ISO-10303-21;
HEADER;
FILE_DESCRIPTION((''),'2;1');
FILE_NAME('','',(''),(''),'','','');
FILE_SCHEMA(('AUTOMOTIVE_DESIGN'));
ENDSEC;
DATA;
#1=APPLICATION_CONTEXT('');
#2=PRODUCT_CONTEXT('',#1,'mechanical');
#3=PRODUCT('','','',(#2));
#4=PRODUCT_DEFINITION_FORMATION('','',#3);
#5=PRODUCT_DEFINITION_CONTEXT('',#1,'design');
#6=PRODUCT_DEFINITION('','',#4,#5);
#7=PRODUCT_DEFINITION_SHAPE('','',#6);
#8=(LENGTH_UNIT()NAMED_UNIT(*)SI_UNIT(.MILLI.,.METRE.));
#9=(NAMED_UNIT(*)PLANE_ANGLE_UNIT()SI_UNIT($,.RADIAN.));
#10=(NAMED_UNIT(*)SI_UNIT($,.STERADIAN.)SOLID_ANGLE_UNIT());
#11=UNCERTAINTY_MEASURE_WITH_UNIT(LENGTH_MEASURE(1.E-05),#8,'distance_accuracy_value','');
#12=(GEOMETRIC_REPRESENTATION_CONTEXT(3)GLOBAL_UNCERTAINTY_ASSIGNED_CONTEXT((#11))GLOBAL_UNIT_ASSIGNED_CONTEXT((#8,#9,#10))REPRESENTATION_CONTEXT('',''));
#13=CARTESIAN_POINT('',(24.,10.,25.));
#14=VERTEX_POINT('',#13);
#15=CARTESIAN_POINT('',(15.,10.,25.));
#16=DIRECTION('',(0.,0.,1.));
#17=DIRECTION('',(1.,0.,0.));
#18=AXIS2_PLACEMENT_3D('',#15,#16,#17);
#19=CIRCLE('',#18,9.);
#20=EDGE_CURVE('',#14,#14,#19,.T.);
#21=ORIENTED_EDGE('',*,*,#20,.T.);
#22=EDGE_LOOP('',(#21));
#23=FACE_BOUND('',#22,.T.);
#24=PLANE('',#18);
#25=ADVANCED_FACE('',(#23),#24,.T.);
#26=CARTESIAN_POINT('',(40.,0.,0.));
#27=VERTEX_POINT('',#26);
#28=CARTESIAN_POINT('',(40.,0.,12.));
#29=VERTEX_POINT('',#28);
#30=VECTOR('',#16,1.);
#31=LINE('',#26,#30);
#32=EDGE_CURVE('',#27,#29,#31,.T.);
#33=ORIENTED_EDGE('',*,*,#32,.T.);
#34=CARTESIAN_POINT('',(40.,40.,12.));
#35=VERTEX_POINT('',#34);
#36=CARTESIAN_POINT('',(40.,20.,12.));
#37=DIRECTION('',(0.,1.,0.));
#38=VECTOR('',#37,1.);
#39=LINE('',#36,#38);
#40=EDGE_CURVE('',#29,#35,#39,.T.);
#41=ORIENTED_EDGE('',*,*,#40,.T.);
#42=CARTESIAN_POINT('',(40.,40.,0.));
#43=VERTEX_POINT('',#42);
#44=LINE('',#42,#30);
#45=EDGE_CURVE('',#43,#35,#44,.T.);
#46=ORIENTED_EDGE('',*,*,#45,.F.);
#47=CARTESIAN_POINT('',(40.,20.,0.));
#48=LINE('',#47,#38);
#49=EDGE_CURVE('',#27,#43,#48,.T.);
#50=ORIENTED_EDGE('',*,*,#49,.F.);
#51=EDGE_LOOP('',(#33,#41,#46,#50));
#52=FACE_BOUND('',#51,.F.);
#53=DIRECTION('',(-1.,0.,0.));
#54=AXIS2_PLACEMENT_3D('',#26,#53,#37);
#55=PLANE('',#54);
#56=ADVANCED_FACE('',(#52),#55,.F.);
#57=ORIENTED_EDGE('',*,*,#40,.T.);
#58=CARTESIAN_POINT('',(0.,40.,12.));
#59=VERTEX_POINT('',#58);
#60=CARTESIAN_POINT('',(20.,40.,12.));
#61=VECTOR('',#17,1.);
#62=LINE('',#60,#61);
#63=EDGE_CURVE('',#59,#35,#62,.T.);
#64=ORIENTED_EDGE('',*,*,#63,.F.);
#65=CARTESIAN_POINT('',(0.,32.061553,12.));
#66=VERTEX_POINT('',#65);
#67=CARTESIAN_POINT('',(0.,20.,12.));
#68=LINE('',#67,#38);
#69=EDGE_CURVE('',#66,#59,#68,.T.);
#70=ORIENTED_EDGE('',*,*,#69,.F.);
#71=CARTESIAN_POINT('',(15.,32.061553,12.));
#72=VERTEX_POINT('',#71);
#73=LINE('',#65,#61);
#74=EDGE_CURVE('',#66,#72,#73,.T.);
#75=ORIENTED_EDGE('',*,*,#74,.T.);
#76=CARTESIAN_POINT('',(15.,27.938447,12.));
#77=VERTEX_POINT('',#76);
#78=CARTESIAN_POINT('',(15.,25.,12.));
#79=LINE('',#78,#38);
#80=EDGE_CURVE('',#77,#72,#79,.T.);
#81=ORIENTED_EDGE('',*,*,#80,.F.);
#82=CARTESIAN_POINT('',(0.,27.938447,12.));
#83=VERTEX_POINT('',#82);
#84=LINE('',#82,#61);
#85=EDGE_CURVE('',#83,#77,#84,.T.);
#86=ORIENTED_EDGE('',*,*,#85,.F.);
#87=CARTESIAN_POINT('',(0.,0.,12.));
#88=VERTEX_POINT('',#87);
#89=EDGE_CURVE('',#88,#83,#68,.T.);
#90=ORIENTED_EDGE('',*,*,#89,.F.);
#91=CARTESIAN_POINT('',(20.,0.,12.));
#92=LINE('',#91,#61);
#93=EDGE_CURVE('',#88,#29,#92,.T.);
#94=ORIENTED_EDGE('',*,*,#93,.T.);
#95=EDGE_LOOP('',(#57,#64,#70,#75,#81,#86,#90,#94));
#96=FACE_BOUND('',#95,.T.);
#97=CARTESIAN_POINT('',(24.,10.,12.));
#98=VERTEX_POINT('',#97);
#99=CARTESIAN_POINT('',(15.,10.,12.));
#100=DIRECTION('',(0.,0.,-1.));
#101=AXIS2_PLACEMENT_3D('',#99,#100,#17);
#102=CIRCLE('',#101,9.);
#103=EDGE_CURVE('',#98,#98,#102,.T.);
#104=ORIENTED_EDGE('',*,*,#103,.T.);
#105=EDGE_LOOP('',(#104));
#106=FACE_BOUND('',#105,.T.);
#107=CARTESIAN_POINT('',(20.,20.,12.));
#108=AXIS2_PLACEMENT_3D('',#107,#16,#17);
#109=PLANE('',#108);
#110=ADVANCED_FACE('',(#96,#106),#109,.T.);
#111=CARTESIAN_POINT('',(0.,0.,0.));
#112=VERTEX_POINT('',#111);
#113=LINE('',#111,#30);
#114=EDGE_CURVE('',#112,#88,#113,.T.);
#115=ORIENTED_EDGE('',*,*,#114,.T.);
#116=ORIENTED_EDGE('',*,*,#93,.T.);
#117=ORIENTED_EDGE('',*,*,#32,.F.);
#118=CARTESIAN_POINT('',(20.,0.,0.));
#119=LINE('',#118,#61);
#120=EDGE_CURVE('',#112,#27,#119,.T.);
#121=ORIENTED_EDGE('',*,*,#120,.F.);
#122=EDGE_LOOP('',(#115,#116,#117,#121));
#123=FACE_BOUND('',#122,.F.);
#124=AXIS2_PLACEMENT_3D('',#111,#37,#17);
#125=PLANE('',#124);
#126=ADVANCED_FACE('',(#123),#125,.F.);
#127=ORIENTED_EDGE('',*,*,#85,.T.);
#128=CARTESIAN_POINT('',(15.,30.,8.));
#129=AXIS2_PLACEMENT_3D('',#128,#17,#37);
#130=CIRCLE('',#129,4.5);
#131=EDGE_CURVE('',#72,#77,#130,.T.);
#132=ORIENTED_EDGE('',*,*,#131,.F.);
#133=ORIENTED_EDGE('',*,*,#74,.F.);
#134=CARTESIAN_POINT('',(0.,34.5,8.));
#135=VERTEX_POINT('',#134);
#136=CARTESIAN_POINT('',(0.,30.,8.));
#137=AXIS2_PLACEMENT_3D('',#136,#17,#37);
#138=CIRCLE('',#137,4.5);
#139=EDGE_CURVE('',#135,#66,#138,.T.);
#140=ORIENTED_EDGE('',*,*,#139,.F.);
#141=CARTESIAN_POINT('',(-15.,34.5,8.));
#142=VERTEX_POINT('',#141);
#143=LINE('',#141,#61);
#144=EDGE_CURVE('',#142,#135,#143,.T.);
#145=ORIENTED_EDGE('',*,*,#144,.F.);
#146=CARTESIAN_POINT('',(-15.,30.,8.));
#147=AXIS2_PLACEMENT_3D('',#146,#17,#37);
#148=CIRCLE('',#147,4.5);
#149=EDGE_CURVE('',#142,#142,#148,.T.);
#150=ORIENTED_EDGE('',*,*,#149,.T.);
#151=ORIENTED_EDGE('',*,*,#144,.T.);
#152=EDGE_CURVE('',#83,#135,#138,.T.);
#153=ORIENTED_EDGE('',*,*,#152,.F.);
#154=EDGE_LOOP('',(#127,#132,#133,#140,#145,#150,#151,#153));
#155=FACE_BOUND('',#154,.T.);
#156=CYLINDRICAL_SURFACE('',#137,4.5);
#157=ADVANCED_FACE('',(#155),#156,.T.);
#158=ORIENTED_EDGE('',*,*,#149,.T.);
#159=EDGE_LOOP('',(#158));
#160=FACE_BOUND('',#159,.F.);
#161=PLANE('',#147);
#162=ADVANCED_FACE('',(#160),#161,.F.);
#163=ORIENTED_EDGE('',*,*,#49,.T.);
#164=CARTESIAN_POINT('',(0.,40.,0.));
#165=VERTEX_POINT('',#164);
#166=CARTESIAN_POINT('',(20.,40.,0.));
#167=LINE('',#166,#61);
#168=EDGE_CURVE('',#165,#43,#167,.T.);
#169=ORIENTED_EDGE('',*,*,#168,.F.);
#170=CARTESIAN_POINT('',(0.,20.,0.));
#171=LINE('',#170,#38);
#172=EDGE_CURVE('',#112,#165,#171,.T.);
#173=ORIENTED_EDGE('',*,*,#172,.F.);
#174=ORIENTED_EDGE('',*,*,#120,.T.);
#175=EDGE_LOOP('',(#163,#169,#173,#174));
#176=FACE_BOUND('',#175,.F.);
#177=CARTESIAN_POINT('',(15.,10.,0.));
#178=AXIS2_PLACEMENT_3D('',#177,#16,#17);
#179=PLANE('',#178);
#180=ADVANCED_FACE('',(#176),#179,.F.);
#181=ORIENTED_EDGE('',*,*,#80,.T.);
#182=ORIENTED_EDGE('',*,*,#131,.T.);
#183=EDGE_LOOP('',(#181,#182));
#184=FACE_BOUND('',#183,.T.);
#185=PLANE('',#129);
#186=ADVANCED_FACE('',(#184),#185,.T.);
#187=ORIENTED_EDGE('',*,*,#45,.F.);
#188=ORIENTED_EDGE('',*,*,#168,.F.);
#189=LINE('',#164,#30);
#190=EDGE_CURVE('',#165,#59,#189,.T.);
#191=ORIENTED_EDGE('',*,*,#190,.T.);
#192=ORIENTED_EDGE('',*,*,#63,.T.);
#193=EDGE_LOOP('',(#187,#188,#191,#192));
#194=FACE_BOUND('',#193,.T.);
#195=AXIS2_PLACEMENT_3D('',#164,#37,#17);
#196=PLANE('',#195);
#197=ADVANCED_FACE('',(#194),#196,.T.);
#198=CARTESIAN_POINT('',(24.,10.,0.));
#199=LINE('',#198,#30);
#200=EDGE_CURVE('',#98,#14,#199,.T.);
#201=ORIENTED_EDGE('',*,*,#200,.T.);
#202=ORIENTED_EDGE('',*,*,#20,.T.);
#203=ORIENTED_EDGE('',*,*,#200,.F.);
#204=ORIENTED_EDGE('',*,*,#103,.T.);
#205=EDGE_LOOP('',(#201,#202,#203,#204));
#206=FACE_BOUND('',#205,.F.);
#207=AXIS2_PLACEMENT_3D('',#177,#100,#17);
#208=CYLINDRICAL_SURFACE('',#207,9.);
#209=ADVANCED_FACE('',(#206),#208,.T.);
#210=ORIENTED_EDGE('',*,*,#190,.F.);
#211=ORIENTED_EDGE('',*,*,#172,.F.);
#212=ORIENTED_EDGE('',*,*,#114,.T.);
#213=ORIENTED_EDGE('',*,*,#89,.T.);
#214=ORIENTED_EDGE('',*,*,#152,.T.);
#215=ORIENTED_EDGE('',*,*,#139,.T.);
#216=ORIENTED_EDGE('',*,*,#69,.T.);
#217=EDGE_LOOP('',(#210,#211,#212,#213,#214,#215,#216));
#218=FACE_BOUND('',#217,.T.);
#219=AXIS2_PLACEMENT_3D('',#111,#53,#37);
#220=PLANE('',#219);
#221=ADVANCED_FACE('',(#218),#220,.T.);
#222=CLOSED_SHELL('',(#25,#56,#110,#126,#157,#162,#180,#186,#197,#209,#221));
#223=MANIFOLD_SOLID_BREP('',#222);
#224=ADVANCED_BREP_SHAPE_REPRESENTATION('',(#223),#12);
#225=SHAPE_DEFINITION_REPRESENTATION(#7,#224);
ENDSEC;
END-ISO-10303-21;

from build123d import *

# Parameters (mm, degrees)
SKETCH_W     = 40
SKETCH_H     = 40
PAD_DEPTH    = 12
SKETCH001_R  = 9
PAD001_DEPTH = 25
SKETCH002_R  = 4.5
PAD002_DEPTH = 15


with BuildPart() as part:
    # Sketch → Pad (new body)
    with BuildSketch(Plane.XY):
        with Locations((20, 20)):
            Rectangle(SKETCH_W, SKETCH_H)
    extrude(amount=PAD_DEPTH)

    # Sketch001 → Pad001 (join)
    with BuildSketch(Plane.XY):
        with Locations((15, 10)):
            Circle(SKETCH001_R)
    extrude(amount=PAD001_DEPTH)

    # Sketch002 → Pad002 (join, symmetric)
    with BuildSketch(Plane.YZ):
        with Locations((30, 8)):
            Circle(SKETCH002_R)
    extrude(amount=PAD002_DEPTH, both=True)


solid = part.part
